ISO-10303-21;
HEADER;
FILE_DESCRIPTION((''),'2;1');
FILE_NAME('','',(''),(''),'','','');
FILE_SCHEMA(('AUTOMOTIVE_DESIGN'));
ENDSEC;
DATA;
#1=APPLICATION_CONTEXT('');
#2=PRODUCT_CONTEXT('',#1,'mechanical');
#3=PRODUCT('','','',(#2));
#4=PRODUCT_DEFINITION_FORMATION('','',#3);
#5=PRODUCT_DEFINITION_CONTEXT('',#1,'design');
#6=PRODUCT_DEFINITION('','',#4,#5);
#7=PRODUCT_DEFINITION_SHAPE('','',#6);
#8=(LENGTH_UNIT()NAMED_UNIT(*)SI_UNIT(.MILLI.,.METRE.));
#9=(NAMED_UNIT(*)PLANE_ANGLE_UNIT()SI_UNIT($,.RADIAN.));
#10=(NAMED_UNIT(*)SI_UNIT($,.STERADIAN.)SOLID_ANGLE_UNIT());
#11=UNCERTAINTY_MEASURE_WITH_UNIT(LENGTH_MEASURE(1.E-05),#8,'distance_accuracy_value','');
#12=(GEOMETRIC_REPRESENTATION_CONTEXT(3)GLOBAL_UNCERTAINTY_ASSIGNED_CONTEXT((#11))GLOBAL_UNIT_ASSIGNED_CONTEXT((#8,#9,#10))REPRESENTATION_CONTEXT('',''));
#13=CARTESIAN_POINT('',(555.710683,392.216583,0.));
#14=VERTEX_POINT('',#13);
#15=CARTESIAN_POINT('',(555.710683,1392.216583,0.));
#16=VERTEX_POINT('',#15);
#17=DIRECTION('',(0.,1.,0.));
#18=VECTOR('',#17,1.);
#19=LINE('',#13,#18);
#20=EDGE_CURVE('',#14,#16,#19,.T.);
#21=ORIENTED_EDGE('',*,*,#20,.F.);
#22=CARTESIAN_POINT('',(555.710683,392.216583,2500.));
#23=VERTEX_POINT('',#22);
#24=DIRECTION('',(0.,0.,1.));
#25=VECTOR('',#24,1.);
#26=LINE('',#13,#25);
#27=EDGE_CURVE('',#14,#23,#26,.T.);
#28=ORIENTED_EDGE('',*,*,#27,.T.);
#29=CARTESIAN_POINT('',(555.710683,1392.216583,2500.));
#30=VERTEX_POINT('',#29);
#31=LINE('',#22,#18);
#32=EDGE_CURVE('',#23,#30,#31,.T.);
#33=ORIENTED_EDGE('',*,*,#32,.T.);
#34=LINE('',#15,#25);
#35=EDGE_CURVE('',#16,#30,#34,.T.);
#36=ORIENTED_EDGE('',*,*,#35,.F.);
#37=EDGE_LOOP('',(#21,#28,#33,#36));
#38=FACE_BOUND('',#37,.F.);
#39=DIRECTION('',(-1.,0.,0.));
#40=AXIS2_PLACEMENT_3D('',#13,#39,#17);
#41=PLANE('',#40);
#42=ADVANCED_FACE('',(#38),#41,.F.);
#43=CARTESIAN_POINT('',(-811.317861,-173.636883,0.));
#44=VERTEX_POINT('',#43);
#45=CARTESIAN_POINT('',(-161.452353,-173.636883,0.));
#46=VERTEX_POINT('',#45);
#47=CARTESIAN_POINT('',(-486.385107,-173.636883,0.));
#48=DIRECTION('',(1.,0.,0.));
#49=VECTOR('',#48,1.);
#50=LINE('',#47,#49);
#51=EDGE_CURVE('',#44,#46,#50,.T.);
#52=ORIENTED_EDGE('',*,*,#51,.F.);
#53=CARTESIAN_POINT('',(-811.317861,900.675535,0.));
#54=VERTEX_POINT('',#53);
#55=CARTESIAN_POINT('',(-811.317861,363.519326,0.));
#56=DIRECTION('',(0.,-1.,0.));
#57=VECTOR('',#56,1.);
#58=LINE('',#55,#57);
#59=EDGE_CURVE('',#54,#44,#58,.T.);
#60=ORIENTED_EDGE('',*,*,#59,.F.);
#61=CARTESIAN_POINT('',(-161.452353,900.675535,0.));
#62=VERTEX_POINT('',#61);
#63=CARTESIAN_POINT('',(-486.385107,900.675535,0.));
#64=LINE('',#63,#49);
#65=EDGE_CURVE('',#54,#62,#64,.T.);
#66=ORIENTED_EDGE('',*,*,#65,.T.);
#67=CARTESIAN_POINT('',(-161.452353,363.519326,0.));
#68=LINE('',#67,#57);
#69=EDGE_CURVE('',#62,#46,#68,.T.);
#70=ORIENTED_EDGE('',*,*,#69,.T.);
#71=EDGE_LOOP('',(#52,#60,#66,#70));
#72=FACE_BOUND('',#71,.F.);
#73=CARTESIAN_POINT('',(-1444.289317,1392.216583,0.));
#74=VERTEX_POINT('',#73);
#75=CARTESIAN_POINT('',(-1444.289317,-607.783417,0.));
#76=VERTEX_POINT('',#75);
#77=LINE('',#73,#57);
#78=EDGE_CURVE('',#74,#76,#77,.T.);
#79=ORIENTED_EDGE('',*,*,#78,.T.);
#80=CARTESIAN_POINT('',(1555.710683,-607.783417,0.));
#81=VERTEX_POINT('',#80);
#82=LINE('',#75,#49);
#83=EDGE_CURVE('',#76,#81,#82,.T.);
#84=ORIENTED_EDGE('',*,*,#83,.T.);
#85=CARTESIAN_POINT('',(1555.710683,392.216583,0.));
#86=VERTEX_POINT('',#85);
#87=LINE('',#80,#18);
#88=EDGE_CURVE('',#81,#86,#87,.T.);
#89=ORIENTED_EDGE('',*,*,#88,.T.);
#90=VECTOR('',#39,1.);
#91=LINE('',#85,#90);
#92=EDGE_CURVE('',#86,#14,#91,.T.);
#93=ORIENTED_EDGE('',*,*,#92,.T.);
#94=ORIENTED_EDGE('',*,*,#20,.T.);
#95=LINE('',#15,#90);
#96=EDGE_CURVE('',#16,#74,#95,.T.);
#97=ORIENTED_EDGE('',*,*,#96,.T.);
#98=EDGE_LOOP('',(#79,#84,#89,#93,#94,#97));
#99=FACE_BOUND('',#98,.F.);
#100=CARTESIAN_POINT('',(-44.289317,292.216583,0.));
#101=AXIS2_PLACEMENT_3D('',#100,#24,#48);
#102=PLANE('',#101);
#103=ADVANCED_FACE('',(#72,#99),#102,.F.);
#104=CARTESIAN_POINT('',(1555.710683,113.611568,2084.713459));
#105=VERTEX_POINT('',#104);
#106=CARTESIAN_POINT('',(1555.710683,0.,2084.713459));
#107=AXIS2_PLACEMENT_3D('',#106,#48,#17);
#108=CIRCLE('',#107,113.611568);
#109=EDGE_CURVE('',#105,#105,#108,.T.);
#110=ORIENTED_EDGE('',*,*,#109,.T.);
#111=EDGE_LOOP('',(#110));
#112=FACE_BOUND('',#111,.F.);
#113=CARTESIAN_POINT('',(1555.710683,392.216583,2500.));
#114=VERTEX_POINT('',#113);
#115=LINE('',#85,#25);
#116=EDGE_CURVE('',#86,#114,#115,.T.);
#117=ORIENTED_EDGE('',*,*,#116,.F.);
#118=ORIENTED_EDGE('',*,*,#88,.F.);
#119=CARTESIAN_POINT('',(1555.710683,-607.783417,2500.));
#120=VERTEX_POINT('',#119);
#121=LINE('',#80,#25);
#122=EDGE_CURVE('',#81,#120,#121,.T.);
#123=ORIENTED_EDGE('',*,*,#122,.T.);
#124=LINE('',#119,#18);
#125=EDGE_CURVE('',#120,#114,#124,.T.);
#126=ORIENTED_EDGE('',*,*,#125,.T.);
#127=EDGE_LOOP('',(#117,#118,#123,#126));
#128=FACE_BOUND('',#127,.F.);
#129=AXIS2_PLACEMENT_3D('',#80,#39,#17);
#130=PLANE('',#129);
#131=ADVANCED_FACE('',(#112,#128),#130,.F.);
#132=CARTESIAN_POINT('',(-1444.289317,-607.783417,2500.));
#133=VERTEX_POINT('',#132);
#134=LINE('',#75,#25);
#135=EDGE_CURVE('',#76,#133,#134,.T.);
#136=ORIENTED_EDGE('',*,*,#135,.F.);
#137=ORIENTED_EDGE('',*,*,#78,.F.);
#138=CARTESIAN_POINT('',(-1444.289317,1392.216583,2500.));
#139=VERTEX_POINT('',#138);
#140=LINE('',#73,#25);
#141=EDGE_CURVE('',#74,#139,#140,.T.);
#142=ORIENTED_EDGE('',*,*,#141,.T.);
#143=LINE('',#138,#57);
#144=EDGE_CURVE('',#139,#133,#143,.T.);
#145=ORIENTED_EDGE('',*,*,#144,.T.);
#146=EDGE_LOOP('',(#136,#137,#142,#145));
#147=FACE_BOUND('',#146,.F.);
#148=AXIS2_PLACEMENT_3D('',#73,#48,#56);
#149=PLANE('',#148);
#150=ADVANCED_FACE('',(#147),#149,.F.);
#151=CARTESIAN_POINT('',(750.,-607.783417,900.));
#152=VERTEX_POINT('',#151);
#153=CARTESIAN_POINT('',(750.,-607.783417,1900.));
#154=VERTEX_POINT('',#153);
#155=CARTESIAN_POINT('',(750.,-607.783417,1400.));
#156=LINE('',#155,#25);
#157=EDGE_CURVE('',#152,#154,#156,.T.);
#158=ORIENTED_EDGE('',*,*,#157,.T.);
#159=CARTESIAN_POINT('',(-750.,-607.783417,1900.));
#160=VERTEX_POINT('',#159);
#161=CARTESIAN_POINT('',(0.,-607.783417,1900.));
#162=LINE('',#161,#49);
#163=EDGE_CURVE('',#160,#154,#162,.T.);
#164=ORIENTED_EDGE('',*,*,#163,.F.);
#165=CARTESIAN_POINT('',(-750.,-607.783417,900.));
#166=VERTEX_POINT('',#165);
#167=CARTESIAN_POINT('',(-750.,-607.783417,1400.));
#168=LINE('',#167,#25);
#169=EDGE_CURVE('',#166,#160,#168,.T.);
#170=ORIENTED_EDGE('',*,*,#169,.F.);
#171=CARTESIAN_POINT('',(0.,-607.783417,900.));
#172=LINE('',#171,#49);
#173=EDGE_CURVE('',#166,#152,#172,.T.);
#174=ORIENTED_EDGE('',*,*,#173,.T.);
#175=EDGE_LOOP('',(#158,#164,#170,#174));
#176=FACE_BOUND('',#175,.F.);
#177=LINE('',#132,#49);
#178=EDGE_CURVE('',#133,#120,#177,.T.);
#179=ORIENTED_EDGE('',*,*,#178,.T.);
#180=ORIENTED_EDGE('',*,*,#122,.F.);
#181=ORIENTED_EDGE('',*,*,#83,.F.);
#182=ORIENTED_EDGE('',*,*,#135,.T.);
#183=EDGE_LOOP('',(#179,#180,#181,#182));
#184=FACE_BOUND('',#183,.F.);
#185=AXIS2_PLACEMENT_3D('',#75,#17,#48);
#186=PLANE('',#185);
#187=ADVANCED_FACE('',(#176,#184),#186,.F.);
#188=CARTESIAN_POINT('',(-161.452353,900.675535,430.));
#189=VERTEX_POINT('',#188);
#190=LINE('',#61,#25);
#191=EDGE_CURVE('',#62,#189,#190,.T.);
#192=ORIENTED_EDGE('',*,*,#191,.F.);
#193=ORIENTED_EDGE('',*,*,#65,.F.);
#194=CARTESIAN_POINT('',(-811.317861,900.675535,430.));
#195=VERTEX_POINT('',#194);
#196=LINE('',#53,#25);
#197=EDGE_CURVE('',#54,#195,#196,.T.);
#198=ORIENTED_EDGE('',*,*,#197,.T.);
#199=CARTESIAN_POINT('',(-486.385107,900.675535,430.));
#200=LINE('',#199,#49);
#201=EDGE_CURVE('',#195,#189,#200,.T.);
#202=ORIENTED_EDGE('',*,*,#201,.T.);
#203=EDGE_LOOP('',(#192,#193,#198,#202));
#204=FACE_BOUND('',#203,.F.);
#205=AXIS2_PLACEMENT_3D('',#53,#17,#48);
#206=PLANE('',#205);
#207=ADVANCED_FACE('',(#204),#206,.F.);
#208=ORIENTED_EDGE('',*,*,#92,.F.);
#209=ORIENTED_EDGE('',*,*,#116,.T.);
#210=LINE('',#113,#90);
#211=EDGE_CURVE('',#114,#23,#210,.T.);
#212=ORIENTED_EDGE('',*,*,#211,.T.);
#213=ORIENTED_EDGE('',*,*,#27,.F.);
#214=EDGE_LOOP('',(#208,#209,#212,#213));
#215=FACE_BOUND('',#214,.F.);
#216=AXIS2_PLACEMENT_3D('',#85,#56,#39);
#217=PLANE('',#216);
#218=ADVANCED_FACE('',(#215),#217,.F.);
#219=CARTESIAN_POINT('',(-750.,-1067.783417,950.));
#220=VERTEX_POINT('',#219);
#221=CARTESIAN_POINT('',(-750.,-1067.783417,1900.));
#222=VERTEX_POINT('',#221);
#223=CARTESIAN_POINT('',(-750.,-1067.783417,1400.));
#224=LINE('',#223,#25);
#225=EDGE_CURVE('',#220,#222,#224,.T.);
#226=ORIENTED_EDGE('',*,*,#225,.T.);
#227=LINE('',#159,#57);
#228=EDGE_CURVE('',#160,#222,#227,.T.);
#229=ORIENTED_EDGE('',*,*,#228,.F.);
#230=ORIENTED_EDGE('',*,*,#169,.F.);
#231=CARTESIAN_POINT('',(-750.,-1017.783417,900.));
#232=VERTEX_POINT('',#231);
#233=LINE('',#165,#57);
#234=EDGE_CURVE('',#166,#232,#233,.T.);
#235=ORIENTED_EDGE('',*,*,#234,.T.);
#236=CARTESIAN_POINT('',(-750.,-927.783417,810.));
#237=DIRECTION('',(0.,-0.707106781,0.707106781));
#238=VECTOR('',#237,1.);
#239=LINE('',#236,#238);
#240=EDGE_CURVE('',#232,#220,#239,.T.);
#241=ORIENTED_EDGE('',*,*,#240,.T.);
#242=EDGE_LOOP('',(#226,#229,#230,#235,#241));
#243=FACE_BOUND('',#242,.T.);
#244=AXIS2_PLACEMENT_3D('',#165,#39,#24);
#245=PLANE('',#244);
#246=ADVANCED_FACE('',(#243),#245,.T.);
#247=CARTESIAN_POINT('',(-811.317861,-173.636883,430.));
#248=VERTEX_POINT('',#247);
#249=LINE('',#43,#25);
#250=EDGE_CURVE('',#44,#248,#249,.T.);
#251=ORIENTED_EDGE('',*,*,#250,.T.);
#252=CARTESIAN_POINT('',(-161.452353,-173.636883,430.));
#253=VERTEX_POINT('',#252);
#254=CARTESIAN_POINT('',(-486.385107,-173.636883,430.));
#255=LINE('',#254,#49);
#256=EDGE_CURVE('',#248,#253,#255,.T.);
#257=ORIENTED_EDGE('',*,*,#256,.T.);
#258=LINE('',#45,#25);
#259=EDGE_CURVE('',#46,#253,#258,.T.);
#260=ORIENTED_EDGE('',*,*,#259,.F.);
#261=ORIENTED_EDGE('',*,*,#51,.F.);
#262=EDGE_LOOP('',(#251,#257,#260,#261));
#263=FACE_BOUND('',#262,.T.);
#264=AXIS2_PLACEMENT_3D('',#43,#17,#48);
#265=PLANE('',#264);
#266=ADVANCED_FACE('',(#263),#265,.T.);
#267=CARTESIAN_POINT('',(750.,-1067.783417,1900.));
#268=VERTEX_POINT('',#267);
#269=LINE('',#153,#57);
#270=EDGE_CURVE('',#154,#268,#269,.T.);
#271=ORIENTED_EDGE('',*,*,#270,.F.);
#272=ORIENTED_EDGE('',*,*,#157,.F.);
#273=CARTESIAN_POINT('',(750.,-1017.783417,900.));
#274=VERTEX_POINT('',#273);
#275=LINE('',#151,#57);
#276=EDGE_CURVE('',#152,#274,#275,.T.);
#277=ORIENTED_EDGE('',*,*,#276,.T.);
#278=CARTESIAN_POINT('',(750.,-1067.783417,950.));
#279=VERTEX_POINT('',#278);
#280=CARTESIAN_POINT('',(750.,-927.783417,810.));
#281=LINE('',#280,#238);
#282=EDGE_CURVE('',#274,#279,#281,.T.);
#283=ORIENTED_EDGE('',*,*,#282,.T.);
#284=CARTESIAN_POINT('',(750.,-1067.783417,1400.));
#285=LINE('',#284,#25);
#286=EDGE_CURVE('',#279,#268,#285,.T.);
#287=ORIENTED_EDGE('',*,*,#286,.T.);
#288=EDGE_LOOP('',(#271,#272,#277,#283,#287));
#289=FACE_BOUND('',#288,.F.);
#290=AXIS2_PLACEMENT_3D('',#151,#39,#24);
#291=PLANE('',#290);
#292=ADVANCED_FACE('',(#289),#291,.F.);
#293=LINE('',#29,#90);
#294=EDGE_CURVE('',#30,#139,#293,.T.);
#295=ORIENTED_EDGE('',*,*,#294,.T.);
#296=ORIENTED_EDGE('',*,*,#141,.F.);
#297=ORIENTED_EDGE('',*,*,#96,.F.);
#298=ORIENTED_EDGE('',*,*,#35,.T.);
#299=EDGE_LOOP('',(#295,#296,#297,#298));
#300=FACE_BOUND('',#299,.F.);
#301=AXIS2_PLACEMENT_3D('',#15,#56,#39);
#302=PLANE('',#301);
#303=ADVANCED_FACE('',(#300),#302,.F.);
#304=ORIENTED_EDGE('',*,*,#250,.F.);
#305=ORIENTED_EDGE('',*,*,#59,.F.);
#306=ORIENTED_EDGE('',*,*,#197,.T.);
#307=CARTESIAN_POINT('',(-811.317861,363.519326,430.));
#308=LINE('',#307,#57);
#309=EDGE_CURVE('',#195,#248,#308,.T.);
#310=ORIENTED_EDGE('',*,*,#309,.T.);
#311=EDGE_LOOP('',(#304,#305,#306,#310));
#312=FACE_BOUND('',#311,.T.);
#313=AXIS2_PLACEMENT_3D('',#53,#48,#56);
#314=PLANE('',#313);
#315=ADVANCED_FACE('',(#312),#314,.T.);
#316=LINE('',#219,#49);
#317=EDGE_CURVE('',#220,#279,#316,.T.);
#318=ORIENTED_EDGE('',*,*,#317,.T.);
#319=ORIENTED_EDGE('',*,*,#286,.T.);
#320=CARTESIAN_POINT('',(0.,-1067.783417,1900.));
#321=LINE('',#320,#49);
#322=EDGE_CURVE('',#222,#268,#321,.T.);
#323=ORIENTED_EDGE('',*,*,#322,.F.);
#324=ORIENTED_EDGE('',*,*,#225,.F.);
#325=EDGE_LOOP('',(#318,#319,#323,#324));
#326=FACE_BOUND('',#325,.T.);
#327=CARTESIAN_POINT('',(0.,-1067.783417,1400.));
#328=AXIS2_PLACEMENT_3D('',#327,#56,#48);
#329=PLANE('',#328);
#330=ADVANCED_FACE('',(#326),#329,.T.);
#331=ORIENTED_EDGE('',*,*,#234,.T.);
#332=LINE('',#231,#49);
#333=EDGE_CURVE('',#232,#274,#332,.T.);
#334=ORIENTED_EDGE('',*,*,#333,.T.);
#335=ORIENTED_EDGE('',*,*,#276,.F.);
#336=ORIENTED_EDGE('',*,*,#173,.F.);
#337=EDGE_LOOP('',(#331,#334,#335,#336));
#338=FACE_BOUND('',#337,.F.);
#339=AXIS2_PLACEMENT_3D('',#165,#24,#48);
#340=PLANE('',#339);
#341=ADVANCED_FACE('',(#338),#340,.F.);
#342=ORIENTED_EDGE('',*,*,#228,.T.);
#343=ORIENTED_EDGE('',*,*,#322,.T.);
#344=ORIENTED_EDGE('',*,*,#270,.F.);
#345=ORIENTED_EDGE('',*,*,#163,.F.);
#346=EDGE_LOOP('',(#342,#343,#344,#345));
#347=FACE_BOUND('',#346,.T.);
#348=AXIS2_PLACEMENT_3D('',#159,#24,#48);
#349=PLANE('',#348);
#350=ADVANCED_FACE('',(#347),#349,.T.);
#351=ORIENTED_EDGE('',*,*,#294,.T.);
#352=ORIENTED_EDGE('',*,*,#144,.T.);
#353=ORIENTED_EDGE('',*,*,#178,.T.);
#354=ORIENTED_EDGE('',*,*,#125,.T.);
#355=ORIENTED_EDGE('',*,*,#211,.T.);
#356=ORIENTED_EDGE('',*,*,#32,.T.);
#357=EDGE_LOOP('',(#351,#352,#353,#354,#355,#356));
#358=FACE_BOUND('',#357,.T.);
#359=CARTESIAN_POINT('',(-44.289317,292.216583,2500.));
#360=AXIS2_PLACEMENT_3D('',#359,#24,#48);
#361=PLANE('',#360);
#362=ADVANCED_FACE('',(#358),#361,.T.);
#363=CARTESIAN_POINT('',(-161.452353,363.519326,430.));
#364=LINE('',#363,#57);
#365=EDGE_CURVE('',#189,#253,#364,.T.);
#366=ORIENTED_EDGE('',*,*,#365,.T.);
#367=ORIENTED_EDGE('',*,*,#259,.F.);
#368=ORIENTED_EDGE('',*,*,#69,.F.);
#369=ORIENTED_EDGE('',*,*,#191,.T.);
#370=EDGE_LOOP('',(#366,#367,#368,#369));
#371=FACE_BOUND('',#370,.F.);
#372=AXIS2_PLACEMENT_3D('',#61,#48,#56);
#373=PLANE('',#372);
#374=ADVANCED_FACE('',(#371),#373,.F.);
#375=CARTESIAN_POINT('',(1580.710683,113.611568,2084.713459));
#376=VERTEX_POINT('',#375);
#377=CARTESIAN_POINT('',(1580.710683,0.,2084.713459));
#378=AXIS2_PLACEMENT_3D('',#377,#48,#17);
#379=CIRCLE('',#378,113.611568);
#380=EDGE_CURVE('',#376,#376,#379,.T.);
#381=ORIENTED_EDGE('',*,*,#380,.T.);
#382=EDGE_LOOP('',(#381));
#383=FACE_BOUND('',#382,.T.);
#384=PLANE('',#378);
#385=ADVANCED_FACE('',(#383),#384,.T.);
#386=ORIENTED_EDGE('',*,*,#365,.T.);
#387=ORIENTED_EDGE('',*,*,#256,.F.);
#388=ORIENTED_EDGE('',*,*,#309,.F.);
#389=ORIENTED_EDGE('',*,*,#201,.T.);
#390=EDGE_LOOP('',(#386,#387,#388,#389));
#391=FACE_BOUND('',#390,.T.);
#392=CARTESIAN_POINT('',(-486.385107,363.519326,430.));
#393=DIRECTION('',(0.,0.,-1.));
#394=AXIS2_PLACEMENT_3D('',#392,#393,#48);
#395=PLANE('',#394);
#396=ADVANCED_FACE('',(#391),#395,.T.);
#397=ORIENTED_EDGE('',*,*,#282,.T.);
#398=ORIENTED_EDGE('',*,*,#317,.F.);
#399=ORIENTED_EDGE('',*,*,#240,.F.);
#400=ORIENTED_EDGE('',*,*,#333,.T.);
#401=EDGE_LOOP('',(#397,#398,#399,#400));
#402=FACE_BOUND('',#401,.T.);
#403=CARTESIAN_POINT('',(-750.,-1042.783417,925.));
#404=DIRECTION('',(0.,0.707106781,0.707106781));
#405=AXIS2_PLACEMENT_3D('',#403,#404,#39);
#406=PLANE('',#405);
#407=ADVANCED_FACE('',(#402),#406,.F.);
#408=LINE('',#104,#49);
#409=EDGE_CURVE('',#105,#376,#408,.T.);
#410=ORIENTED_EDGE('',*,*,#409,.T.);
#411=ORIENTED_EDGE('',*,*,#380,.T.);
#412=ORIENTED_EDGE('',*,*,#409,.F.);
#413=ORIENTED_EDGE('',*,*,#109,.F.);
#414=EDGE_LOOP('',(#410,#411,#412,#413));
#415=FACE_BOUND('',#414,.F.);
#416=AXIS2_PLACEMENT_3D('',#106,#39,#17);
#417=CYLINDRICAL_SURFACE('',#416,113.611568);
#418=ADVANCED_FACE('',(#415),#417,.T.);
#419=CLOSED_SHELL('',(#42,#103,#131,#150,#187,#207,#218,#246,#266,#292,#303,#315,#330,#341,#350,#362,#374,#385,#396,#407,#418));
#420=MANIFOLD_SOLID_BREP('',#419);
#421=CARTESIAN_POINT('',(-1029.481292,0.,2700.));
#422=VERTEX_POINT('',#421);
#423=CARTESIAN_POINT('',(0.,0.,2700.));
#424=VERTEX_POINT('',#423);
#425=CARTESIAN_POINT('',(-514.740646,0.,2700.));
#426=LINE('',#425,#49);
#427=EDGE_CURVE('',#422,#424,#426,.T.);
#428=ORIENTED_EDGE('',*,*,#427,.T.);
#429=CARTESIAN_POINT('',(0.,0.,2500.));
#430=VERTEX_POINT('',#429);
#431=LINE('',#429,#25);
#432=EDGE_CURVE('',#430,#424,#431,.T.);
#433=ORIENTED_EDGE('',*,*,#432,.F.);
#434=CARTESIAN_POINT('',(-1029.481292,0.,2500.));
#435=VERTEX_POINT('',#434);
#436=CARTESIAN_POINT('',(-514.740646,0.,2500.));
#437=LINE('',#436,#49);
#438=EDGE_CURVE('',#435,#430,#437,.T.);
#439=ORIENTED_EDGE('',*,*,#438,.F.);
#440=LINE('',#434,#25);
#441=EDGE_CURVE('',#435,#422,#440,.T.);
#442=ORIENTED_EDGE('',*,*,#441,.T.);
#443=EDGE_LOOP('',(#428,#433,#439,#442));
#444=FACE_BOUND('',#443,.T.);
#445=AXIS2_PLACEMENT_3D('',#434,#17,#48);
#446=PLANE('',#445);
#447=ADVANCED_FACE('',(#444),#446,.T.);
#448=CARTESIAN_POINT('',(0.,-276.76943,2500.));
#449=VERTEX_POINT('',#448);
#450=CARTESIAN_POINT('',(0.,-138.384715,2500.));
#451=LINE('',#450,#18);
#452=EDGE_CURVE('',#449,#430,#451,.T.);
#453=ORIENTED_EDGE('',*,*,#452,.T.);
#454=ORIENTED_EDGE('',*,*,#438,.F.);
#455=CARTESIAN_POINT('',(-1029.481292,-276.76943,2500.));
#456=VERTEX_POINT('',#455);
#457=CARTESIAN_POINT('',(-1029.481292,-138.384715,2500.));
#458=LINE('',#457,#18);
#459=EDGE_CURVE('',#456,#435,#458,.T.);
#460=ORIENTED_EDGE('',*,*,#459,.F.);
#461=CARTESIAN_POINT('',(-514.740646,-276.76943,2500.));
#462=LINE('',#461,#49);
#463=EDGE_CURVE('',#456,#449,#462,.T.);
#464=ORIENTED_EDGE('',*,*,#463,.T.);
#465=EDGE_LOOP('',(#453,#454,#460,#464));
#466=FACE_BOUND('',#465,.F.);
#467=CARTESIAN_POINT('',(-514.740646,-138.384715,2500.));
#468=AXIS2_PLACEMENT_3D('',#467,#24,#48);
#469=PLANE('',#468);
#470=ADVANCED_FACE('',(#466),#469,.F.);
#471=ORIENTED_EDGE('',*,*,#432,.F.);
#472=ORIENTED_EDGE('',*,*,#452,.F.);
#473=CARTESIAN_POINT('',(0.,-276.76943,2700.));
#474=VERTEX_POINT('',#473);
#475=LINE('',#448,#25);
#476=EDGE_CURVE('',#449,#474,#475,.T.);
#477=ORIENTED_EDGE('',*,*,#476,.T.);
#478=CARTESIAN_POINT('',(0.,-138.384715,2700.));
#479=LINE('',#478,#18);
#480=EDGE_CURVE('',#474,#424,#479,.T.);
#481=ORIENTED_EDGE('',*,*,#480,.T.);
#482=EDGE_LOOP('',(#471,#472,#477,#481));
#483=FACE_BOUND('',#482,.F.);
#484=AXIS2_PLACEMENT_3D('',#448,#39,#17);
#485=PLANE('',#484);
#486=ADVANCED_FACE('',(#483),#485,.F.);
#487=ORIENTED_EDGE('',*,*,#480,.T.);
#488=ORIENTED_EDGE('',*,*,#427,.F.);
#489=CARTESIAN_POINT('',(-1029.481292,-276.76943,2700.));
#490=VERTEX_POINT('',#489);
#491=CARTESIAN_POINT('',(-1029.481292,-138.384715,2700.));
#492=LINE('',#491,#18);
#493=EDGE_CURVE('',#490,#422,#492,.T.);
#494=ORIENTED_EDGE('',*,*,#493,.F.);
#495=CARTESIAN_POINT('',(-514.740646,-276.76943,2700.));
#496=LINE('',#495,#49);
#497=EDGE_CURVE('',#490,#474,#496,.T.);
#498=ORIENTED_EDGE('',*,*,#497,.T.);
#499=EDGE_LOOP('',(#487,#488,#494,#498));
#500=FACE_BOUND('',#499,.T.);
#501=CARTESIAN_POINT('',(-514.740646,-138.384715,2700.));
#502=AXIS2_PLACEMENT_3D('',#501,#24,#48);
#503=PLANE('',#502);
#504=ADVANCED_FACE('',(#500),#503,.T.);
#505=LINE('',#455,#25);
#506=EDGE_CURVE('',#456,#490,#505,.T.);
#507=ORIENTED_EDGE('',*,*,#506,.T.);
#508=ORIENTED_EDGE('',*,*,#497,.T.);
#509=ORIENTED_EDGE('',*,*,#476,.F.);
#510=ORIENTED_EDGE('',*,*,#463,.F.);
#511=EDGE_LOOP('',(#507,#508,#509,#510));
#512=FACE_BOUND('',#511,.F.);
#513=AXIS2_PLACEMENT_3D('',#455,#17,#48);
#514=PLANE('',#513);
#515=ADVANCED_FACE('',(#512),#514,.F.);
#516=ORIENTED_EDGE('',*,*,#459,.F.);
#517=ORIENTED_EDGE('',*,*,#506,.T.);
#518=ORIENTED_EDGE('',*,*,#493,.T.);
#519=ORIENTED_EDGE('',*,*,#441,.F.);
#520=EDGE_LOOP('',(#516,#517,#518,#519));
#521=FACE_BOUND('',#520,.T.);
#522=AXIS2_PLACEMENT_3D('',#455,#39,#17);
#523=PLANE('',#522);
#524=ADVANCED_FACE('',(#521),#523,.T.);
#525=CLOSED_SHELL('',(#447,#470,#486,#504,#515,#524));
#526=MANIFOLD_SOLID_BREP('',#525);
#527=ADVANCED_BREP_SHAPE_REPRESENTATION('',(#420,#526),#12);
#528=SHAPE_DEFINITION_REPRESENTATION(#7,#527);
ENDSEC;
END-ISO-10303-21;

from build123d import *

# Parameters (mm, degrees)
F0_R      = 250
F1_DEPTH  = 2500
F2_W      = 649.865508
F2_H      = 1074.312418
F3_DEPTH  = 430
F4_W      = 1500
F4_H      = 1000
F5_DEPTH  = 460
F6_R      = 113.611568
F7_DEPTH  = 25
F8_SIZE   = 50
F9_W      = 1029.481292
F9_H      = 276.769429
F10_DEPTH = 200


with BuildPart() as f1:
    # F0 (on Top) → F1 (new body)
    with BuildSketch(Plane.XY):
        Polygon((-1444.289317, 1392.216583), (-1444.289317, -607.783417), (1555.710683, -607.783417), (1555.710683, 392.216583), (555.710683, 392.216583), (555.710683, 1392.216583), align=None)
        with Locations((-627.124965, 837.157905)):
            Circle(F0_R, mode=Mode.SUBTRACT)
        with Locations((-627.124965, 837.157905)):
            Circle(F0_R)
    extrude(amount=F1_DEPTH)

    # F2 (on face) → F3 (cut)
    with BuildSketch(Plane(origin=(0, 0, 0), x_dir=(1, 0, 0), z_dir=(0, 0, -1))):
        with Locations((-486.385107, -363.519326)):
            Rectangle(F2_W, F2_H)
    extrude(amount=-F3_DEPTH, mode=Mode.SUBTRACT)

    # F4 (on face) → F5 (join)
    with BuildSketch(Plane.XZ.offset(607.783417)):
        with Locations((0, 1400)):
            Rectangle(F4_W, F4_H)
    extrude(amount=F5_DEPTH)

    # F6 (on face) → F7 (join)
    with BuildSketch(Plane.YZ.offset(1555.710683)):
        with Locations((0, 2084.713459)):
            Circle(F6_R)
    extrude(amount=F7_DEPTH)

    # F8
    f8_edges = [f1.edges().sort_by_distance(p)[0] for p in [
        (0, -1067.783417, 900),
    ]]
    chamfer(f8_edges, length=F8_SIZE)


with BuildPart() as f10:
    # F9 (on face) → F10 (new body)
    with BuildSketch(Plane.XY.offset(2500)):
        with Locations((-514.740646, -138.384715)):
            Rectangle(F9_W, F9_H)
    extrude(amount=F10_DEPTH)


solid = Compound([f1.part, f10.part])
